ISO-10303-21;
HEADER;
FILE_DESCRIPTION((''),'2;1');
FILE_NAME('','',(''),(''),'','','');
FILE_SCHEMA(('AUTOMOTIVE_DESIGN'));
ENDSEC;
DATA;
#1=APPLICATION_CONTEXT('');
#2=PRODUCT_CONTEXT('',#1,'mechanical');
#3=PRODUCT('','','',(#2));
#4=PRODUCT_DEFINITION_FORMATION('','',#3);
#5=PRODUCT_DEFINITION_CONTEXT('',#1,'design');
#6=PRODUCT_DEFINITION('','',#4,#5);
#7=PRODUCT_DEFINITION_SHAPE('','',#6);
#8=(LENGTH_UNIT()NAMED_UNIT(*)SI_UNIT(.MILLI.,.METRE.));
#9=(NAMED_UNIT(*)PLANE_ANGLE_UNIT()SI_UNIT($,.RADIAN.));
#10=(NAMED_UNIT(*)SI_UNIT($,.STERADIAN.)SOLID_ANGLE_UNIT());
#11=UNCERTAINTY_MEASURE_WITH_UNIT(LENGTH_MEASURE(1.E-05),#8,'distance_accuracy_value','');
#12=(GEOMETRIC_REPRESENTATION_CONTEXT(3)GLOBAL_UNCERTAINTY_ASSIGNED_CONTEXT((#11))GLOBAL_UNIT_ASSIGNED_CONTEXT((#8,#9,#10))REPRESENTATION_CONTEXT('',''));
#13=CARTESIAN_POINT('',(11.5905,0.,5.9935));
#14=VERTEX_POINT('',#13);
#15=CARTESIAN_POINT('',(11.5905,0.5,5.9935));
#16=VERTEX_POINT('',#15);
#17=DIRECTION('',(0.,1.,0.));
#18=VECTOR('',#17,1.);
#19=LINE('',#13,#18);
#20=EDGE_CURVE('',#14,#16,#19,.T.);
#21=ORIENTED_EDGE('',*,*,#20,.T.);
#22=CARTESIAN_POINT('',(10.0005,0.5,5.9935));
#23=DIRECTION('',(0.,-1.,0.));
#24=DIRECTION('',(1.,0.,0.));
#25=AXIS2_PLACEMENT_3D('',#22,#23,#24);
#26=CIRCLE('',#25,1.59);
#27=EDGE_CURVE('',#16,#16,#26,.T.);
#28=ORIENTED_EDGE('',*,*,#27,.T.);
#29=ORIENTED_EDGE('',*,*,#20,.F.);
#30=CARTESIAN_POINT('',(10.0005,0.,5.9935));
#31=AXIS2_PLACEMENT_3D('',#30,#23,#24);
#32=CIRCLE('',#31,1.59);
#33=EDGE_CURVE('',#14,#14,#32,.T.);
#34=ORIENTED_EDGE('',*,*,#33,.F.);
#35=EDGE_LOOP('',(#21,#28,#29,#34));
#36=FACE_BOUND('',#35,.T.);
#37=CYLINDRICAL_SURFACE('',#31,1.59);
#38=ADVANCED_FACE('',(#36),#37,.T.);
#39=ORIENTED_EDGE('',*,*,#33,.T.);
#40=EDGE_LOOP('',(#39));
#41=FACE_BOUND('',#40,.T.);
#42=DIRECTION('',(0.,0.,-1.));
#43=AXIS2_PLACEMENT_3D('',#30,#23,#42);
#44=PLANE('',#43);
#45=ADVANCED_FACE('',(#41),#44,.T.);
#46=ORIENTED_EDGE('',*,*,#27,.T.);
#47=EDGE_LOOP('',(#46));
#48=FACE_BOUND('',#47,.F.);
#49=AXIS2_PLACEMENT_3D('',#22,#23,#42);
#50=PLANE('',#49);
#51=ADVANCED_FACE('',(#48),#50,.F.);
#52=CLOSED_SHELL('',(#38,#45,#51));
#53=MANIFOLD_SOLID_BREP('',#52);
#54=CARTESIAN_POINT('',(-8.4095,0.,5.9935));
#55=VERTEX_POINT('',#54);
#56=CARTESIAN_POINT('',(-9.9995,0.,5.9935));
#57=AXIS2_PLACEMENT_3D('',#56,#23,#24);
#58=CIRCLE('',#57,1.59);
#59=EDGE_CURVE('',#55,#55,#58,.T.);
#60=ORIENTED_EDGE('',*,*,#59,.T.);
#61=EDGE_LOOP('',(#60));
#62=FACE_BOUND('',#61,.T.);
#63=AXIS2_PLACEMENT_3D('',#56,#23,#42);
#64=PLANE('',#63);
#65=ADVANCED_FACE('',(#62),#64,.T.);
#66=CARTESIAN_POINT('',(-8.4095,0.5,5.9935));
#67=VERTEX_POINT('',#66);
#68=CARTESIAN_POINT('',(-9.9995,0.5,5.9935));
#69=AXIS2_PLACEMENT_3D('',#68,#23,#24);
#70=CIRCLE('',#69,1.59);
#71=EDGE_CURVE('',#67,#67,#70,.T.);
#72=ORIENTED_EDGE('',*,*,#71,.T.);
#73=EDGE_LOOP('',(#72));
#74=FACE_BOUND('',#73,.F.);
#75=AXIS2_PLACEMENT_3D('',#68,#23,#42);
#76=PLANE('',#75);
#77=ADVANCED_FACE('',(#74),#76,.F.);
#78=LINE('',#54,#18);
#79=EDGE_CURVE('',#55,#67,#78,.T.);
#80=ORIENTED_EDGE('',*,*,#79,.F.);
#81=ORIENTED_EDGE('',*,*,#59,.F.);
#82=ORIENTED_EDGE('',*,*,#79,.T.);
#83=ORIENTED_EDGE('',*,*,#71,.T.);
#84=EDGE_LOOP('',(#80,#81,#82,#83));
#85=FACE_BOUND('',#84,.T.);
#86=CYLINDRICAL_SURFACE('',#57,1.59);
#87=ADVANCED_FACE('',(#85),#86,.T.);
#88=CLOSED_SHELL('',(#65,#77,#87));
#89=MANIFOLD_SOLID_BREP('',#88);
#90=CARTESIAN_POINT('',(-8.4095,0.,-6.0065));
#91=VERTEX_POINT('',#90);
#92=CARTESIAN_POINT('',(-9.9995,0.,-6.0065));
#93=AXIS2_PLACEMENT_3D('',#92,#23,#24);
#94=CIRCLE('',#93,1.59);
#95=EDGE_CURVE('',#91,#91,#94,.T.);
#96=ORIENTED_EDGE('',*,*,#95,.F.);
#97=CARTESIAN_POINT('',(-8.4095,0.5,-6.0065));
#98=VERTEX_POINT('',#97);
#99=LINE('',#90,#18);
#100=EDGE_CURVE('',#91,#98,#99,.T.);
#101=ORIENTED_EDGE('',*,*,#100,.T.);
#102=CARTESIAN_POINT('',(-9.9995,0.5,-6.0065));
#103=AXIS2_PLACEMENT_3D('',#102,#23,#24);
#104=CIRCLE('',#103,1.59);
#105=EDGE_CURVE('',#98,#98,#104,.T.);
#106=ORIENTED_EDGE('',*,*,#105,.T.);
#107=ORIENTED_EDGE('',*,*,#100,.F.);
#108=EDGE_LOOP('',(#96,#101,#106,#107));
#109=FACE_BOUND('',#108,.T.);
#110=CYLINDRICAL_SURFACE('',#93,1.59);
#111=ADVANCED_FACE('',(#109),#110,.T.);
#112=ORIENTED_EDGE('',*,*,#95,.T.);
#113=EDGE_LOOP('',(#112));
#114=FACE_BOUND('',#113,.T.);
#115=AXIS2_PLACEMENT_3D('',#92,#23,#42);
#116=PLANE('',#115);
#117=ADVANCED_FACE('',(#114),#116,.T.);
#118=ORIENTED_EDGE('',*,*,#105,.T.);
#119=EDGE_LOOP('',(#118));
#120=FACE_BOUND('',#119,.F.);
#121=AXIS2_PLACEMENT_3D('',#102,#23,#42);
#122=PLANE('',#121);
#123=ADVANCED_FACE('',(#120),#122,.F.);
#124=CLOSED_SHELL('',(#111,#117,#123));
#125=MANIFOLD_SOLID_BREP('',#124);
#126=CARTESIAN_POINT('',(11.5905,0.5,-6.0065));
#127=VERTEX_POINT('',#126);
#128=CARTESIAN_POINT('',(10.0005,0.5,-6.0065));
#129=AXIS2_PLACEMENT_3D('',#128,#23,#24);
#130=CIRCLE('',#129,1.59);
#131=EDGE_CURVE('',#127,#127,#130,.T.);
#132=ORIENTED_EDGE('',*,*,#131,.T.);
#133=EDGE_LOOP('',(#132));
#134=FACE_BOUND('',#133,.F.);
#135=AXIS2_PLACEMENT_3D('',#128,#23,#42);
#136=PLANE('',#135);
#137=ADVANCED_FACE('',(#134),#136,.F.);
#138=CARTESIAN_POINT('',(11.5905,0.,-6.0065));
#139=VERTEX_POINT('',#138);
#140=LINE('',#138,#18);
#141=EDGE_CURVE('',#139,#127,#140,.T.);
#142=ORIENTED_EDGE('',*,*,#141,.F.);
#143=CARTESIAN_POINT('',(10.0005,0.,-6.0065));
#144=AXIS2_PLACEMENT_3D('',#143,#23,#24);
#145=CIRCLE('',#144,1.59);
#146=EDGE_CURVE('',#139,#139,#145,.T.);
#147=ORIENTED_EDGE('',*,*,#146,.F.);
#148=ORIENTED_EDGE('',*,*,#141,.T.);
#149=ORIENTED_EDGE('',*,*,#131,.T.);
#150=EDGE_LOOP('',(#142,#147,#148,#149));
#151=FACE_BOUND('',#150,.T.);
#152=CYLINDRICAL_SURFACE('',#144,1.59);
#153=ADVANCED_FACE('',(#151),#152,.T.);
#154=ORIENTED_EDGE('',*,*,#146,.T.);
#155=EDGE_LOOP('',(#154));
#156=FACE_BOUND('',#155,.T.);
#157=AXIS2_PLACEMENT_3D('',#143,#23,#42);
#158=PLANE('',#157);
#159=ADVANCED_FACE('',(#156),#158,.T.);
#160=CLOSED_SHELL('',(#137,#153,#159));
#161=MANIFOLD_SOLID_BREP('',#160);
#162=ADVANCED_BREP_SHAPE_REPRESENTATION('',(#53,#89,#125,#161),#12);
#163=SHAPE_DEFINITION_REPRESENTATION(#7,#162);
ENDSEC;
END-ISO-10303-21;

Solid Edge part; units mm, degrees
sketch "Sketch1" plane through (0, 0, 0) normal (0, -1, 0) x (1, 0, 0)
  circle A0 centre (-9.9995, 5.9935) radius 1.59
  circle A1 centre (10.0005, 5.9935) radius 1.59
  circle A2 centre (10.0005, -6.0065) radius 1.59
  circle A3 centre (-9.9995, -6.0065) radius 1.59
  dimension "D1" = 10
  dimension "D2" = 10
  dimension "D3" = 10
  dimension "D4" = 6
  dimension "D5" = 6
  dimension "D6" = 6
  dimension "D7" = 10
  dimension "D8" = 6
extrude "Protrusion1" add sketch "Sketch1" against normal blind 0.5
